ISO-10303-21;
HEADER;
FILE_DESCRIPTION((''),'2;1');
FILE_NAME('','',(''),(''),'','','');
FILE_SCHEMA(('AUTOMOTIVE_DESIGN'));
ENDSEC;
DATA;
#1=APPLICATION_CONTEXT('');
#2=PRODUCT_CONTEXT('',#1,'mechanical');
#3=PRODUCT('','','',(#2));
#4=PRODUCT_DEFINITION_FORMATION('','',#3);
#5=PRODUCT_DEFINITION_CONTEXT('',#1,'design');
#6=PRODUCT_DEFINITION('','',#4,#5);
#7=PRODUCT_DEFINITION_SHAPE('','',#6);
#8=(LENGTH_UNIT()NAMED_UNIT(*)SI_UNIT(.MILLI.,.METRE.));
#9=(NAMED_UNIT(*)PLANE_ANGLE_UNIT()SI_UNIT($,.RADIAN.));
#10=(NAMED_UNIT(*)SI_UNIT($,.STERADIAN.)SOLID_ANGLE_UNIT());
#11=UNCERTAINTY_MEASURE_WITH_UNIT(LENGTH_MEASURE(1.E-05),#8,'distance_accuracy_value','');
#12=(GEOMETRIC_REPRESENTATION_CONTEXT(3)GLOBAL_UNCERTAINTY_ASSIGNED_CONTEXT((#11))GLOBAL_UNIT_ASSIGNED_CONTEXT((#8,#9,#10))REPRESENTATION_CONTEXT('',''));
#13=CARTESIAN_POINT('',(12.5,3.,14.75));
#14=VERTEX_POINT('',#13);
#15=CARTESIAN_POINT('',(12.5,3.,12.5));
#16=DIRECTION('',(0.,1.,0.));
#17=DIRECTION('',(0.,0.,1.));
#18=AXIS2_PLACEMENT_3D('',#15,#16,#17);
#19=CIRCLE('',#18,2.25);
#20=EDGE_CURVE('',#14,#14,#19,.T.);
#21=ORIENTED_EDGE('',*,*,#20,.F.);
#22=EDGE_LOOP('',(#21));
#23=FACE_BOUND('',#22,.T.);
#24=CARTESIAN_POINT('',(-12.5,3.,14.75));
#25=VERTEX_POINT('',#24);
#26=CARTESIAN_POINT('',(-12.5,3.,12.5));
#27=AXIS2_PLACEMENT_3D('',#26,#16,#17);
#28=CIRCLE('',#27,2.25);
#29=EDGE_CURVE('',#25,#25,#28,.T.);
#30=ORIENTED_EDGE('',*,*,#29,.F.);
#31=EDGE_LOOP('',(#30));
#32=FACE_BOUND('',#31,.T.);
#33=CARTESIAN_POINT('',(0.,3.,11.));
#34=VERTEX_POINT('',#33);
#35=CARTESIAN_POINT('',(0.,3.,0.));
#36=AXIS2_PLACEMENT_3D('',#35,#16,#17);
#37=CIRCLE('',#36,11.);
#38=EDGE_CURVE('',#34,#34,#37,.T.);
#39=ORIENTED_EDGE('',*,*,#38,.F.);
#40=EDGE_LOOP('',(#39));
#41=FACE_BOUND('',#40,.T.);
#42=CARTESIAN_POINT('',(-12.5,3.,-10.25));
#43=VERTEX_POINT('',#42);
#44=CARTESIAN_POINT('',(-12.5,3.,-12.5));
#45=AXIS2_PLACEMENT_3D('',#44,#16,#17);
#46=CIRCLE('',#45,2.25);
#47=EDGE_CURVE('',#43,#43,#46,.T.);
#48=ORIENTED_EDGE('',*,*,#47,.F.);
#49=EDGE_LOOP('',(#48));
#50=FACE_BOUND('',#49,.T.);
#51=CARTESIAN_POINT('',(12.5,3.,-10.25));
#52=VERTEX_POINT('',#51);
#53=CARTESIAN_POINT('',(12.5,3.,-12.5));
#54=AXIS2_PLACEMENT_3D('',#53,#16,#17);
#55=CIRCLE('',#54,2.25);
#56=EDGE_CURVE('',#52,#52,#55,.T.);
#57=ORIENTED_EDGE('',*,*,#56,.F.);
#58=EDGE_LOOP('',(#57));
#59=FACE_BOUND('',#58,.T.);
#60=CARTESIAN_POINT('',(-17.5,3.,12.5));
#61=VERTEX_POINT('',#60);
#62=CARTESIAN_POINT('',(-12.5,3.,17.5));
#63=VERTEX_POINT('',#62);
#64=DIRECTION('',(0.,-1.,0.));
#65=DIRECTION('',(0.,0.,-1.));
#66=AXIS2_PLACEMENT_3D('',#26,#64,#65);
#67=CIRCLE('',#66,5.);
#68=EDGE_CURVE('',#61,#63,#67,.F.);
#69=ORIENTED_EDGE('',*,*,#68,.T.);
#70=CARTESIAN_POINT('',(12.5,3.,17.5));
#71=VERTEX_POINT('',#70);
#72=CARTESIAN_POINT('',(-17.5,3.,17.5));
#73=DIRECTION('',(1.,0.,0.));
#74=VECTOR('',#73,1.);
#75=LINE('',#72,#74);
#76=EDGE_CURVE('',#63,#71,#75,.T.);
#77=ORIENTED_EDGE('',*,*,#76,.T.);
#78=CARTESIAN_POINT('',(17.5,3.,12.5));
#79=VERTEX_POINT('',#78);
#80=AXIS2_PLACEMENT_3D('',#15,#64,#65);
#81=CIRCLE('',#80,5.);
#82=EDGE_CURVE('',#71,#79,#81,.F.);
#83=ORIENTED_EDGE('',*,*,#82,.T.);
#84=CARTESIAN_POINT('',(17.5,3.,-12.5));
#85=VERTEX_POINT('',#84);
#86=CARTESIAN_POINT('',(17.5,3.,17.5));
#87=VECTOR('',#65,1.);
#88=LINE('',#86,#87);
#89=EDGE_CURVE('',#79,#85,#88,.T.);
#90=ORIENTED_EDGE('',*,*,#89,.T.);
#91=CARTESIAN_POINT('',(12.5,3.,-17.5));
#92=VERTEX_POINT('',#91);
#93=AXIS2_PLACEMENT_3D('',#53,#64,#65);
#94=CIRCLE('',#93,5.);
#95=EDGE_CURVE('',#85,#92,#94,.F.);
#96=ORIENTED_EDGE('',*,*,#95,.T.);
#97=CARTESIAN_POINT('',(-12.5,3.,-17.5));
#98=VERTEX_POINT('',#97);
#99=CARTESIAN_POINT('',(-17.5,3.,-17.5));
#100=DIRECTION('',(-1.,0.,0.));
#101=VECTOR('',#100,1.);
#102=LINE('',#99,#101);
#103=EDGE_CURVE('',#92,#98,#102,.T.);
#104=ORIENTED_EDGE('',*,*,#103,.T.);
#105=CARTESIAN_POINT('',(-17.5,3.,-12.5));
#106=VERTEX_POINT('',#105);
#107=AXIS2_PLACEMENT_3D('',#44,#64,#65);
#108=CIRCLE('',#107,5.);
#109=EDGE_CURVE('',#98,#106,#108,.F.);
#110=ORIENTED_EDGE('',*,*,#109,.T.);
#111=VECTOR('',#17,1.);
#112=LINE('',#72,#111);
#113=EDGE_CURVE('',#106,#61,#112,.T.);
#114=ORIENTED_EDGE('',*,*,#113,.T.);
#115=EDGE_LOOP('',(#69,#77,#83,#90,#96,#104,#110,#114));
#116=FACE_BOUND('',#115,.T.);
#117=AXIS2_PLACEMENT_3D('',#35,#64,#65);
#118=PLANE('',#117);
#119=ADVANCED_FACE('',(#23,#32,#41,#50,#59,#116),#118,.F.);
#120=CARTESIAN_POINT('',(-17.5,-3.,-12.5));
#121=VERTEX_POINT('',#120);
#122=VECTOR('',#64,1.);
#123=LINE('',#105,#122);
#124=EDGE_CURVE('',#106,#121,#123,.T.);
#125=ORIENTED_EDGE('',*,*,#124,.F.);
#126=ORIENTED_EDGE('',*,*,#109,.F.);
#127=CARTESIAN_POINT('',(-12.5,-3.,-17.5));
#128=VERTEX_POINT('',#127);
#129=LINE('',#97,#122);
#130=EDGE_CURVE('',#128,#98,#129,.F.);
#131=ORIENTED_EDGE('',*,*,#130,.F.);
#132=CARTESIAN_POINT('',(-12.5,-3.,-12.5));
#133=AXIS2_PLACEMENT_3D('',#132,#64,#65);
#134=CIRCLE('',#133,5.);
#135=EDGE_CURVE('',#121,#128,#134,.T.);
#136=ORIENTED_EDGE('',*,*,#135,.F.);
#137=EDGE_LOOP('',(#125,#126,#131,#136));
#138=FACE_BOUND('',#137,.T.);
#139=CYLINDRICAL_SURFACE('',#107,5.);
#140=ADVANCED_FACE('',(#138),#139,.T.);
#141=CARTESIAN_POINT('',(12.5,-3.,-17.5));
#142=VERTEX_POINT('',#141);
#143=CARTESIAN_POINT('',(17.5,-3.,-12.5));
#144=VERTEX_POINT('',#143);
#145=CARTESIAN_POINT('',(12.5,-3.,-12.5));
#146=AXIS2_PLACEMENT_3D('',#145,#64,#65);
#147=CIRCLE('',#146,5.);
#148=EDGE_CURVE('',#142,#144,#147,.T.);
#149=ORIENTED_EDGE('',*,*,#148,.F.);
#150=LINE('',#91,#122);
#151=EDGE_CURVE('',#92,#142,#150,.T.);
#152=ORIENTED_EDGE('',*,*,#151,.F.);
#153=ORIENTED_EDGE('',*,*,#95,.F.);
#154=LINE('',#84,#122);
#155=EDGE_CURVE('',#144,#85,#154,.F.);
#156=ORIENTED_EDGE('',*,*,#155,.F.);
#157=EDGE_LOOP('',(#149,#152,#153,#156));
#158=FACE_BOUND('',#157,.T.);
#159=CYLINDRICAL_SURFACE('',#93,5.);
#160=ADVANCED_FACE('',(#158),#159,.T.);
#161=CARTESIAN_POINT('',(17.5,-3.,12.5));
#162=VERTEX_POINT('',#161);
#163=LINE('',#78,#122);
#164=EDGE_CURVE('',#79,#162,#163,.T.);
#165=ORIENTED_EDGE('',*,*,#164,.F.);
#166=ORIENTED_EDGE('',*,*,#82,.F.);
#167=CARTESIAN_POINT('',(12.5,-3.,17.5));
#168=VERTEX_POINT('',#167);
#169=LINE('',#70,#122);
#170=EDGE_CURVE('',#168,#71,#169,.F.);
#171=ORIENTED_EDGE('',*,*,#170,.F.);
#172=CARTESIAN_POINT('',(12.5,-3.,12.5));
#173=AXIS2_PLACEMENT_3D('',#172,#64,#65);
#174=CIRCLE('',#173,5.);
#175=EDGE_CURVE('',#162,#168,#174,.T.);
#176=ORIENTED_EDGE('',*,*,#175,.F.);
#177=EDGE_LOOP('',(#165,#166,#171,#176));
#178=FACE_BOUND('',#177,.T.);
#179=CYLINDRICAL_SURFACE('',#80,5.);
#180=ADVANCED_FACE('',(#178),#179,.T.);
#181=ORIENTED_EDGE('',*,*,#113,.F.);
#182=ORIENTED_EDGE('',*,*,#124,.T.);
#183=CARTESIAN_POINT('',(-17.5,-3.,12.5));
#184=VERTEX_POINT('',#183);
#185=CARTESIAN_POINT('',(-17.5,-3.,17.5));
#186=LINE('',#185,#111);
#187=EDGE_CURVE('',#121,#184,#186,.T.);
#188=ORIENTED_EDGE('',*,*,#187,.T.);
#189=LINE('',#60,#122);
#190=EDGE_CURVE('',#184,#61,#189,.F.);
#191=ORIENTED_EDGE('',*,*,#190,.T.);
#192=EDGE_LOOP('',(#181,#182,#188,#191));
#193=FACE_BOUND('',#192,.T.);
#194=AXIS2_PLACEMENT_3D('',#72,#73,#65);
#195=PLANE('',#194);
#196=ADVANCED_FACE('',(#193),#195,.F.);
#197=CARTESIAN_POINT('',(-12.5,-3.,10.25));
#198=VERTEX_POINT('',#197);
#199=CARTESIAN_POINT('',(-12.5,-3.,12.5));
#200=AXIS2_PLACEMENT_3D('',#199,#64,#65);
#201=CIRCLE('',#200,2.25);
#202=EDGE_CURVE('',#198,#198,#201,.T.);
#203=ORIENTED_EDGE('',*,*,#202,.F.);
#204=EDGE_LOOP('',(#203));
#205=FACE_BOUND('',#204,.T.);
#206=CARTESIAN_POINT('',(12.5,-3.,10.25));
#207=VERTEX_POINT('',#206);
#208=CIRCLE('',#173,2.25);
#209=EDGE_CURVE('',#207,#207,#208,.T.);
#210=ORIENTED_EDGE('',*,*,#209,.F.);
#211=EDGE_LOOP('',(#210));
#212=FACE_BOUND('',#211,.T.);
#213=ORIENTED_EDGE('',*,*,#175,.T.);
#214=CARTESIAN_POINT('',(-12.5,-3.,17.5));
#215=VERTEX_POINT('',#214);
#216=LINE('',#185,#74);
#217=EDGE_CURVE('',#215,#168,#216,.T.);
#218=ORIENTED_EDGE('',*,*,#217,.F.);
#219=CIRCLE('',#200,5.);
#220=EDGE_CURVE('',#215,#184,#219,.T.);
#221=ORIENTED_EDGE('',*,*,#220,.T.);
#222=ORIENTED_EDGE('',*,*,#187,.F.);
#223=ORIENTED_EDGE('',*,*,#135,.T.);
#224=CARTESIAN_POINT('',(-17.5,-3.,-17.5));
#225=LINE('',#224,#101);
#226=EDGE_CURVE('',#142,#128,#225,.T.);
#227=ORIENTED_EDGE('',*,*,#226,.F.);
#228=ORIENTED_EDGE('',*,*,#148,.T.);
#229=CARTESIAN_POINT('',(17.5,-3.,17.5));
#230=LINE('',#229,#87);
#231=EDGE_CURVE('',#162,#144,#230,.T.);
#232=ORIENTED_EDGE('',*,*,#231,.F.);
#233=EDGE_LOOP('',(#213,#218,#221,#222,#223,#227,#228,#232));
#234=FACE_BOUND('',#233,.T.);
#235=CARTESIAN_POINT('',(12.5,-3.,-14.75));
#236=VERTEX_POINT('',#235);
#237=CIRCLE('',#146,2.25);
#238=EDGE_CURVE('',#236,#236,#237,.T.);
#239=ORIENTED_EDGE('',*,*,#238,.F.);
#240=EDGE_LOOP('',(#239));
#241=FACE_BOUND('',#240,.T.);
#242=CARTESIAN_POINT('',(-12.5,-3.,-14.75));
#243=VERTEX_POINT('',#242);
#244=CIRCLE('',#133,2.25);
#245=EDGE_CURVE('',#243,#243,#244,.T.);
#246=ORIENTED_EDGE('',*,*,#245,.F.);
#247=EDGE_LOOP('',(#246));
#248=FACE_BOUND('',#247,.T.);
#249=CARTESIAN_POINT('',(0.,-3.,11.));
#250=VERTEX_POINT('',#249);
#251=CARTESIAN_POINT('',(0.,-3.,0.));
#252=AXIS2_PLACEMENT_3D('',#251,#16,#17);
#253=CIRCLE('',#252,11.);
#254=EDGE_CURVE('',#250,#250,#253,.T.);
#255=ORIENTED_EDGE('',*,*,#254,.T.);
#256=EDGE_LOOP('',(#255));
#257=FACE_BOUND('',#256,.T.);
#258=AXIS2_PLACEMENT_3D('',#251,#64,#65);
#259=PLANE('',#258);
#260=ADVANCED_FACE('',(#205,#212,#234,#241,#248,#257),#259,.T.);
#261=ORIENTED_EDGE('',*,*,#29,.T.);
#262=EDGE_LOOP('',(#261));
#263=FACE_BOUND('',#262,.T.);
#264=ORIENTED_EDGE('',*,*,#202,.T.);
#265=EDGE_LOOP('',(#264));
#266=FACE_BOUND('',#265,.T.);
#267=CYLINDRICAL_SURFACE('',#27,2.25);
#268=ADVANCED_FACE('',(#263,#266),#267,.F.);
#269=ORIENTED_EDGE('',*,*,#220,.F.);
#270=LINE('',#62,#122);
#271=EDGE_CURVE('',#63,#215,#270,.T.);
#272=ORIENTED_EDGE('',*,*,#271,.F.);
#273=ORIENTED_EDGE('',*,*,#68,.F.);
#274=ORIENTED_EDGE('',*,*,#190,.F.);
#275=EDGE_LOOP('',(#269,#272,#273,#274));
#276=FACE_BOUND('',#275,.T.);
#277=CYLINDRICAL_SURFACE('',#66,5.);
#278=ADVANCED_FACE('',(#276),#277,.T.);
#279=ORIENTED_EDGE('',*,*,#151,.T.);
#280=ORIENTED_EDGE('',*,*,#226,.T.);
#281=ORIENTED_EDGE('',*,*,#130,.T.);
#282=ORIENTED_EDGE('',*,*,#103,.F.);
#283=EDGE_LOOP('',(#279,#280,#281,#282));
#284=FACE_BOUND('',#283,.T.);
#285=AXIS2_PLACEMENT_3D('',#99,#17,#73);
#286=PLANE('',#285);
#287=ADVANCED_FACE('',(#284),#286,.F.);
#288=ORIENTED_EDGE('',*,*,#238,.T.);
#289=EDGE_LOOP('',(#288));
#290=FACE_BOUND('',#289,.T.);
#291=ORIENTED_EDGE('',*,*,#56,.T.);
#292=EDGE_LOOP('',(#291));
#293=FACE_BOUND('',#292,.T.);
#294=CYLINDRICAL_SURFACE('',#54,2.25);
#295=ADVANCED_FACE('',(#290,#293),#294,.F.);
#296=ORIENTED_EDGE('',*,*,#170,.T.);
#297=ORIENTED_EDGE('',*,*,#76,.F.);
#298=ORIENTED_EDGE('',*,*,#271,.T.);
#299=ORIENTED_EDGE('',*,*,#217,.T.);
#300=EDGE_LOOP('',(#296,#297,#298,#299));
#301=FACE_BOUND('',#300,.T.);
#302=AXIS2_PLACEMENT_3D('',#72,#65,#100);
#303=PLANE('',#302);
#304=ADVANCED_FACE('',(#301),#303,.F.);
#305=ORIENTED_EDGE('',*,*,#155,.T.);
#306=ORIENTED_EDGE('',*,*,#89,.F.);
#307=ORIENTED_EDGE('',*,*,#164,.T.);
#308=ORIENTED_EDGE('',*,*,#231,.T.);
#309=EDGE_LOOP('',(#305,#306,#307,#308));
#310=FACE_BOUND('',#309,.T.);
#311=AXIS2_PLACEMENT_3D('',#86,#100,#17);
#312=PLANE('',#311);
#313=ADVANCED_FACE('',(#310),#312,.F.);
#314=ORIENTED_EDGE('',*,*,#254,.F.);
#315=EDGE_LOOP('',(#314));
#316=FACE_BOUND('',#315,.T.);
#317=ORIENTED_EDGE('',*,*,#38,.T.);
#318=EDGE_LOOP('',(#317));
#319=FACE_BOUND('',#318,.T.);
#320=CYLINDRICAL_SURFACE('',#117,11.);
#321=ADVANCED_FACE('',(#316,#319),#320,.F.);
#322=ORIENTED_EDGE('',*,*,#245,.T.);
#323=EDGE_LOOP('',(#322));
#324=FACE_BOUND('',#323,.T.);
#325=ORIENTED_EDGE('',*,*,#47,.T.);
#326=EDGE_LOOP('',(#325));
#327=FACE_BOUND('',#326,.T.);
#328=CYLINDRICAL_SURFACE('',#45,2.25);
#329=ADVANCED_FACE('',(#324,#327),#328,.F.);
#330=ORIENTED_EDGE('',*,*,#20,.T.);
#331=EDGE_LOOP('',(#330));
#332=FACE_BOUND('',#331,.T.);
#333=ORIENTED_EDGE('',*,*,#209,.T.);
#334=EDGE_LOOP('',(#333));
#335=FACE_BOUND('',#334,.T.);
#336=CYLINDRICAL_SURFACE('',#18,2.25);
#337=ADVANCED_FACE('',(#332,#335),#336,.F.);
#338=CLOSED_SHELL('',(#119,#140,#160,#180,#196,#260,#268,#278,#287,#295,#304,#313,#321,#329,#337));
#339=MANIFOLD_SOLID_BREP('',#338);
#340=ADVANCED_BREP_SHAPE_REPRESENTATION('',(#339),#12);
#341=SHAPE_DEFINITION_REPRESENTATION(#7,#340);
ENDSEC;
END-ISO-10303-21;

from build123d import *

# Parameters (mm, degrees)
CROQUIS1_W                   = 35
CROQUIS1_H                   = 35
CROQUIS1_R                   = 11
SALIENTE_EXTRUIR1_DEPTH      = 3
TALADRO_DE_MARGEN_PARA_M41_D = 4.5
REDONDEO1_R                  = 5


with BuildPart() as part:
    # Croquis1 → Saliente-Extruir1 (new, symmetric)
    with BuildSketch(Plane(origin=(0, 0, 0), x_dir=(1, 0, 0), z_dir=(0, 1, 0))):
        Rectangle(CROQUIS1_W, CROQUIS1_H)
        with Locations(Location((0, 0, 0), (0, 0, 270))):
            Circle(CROQUIS1_R, mode=Mode.SUBTRACT)
    extrude(amount=SALIENTE_EXTRUIR1_DEPTH, both=True)

    # Taladro de margen para M41 (through all)
    with Locations(Plane(origin=(0, 3, 0), x_dir=(1, 0, 0), z_dir=(0, 1, 0))):
        with Locations((12.5, 12.5), (-12.5, 12.5), (-12.5, -12.5), (12.5, -12.5)):
            Hole(TALADRO_DE_MARGEN_PARA_M41_D / 2)

    # Redondeo1
    redondeo1_edges = [part.edges().sort_by_distance(p)[0] for p in [
        (17.5, 0, 17.5),
        (-17.5, 0, 17.5),
        (-17.5, 0, -17.5),
        (17.5, 0, -17.5),
    ]]
    fillet(redondeo1_edges, radius=REDONDEO1_R)


solid = part.part
